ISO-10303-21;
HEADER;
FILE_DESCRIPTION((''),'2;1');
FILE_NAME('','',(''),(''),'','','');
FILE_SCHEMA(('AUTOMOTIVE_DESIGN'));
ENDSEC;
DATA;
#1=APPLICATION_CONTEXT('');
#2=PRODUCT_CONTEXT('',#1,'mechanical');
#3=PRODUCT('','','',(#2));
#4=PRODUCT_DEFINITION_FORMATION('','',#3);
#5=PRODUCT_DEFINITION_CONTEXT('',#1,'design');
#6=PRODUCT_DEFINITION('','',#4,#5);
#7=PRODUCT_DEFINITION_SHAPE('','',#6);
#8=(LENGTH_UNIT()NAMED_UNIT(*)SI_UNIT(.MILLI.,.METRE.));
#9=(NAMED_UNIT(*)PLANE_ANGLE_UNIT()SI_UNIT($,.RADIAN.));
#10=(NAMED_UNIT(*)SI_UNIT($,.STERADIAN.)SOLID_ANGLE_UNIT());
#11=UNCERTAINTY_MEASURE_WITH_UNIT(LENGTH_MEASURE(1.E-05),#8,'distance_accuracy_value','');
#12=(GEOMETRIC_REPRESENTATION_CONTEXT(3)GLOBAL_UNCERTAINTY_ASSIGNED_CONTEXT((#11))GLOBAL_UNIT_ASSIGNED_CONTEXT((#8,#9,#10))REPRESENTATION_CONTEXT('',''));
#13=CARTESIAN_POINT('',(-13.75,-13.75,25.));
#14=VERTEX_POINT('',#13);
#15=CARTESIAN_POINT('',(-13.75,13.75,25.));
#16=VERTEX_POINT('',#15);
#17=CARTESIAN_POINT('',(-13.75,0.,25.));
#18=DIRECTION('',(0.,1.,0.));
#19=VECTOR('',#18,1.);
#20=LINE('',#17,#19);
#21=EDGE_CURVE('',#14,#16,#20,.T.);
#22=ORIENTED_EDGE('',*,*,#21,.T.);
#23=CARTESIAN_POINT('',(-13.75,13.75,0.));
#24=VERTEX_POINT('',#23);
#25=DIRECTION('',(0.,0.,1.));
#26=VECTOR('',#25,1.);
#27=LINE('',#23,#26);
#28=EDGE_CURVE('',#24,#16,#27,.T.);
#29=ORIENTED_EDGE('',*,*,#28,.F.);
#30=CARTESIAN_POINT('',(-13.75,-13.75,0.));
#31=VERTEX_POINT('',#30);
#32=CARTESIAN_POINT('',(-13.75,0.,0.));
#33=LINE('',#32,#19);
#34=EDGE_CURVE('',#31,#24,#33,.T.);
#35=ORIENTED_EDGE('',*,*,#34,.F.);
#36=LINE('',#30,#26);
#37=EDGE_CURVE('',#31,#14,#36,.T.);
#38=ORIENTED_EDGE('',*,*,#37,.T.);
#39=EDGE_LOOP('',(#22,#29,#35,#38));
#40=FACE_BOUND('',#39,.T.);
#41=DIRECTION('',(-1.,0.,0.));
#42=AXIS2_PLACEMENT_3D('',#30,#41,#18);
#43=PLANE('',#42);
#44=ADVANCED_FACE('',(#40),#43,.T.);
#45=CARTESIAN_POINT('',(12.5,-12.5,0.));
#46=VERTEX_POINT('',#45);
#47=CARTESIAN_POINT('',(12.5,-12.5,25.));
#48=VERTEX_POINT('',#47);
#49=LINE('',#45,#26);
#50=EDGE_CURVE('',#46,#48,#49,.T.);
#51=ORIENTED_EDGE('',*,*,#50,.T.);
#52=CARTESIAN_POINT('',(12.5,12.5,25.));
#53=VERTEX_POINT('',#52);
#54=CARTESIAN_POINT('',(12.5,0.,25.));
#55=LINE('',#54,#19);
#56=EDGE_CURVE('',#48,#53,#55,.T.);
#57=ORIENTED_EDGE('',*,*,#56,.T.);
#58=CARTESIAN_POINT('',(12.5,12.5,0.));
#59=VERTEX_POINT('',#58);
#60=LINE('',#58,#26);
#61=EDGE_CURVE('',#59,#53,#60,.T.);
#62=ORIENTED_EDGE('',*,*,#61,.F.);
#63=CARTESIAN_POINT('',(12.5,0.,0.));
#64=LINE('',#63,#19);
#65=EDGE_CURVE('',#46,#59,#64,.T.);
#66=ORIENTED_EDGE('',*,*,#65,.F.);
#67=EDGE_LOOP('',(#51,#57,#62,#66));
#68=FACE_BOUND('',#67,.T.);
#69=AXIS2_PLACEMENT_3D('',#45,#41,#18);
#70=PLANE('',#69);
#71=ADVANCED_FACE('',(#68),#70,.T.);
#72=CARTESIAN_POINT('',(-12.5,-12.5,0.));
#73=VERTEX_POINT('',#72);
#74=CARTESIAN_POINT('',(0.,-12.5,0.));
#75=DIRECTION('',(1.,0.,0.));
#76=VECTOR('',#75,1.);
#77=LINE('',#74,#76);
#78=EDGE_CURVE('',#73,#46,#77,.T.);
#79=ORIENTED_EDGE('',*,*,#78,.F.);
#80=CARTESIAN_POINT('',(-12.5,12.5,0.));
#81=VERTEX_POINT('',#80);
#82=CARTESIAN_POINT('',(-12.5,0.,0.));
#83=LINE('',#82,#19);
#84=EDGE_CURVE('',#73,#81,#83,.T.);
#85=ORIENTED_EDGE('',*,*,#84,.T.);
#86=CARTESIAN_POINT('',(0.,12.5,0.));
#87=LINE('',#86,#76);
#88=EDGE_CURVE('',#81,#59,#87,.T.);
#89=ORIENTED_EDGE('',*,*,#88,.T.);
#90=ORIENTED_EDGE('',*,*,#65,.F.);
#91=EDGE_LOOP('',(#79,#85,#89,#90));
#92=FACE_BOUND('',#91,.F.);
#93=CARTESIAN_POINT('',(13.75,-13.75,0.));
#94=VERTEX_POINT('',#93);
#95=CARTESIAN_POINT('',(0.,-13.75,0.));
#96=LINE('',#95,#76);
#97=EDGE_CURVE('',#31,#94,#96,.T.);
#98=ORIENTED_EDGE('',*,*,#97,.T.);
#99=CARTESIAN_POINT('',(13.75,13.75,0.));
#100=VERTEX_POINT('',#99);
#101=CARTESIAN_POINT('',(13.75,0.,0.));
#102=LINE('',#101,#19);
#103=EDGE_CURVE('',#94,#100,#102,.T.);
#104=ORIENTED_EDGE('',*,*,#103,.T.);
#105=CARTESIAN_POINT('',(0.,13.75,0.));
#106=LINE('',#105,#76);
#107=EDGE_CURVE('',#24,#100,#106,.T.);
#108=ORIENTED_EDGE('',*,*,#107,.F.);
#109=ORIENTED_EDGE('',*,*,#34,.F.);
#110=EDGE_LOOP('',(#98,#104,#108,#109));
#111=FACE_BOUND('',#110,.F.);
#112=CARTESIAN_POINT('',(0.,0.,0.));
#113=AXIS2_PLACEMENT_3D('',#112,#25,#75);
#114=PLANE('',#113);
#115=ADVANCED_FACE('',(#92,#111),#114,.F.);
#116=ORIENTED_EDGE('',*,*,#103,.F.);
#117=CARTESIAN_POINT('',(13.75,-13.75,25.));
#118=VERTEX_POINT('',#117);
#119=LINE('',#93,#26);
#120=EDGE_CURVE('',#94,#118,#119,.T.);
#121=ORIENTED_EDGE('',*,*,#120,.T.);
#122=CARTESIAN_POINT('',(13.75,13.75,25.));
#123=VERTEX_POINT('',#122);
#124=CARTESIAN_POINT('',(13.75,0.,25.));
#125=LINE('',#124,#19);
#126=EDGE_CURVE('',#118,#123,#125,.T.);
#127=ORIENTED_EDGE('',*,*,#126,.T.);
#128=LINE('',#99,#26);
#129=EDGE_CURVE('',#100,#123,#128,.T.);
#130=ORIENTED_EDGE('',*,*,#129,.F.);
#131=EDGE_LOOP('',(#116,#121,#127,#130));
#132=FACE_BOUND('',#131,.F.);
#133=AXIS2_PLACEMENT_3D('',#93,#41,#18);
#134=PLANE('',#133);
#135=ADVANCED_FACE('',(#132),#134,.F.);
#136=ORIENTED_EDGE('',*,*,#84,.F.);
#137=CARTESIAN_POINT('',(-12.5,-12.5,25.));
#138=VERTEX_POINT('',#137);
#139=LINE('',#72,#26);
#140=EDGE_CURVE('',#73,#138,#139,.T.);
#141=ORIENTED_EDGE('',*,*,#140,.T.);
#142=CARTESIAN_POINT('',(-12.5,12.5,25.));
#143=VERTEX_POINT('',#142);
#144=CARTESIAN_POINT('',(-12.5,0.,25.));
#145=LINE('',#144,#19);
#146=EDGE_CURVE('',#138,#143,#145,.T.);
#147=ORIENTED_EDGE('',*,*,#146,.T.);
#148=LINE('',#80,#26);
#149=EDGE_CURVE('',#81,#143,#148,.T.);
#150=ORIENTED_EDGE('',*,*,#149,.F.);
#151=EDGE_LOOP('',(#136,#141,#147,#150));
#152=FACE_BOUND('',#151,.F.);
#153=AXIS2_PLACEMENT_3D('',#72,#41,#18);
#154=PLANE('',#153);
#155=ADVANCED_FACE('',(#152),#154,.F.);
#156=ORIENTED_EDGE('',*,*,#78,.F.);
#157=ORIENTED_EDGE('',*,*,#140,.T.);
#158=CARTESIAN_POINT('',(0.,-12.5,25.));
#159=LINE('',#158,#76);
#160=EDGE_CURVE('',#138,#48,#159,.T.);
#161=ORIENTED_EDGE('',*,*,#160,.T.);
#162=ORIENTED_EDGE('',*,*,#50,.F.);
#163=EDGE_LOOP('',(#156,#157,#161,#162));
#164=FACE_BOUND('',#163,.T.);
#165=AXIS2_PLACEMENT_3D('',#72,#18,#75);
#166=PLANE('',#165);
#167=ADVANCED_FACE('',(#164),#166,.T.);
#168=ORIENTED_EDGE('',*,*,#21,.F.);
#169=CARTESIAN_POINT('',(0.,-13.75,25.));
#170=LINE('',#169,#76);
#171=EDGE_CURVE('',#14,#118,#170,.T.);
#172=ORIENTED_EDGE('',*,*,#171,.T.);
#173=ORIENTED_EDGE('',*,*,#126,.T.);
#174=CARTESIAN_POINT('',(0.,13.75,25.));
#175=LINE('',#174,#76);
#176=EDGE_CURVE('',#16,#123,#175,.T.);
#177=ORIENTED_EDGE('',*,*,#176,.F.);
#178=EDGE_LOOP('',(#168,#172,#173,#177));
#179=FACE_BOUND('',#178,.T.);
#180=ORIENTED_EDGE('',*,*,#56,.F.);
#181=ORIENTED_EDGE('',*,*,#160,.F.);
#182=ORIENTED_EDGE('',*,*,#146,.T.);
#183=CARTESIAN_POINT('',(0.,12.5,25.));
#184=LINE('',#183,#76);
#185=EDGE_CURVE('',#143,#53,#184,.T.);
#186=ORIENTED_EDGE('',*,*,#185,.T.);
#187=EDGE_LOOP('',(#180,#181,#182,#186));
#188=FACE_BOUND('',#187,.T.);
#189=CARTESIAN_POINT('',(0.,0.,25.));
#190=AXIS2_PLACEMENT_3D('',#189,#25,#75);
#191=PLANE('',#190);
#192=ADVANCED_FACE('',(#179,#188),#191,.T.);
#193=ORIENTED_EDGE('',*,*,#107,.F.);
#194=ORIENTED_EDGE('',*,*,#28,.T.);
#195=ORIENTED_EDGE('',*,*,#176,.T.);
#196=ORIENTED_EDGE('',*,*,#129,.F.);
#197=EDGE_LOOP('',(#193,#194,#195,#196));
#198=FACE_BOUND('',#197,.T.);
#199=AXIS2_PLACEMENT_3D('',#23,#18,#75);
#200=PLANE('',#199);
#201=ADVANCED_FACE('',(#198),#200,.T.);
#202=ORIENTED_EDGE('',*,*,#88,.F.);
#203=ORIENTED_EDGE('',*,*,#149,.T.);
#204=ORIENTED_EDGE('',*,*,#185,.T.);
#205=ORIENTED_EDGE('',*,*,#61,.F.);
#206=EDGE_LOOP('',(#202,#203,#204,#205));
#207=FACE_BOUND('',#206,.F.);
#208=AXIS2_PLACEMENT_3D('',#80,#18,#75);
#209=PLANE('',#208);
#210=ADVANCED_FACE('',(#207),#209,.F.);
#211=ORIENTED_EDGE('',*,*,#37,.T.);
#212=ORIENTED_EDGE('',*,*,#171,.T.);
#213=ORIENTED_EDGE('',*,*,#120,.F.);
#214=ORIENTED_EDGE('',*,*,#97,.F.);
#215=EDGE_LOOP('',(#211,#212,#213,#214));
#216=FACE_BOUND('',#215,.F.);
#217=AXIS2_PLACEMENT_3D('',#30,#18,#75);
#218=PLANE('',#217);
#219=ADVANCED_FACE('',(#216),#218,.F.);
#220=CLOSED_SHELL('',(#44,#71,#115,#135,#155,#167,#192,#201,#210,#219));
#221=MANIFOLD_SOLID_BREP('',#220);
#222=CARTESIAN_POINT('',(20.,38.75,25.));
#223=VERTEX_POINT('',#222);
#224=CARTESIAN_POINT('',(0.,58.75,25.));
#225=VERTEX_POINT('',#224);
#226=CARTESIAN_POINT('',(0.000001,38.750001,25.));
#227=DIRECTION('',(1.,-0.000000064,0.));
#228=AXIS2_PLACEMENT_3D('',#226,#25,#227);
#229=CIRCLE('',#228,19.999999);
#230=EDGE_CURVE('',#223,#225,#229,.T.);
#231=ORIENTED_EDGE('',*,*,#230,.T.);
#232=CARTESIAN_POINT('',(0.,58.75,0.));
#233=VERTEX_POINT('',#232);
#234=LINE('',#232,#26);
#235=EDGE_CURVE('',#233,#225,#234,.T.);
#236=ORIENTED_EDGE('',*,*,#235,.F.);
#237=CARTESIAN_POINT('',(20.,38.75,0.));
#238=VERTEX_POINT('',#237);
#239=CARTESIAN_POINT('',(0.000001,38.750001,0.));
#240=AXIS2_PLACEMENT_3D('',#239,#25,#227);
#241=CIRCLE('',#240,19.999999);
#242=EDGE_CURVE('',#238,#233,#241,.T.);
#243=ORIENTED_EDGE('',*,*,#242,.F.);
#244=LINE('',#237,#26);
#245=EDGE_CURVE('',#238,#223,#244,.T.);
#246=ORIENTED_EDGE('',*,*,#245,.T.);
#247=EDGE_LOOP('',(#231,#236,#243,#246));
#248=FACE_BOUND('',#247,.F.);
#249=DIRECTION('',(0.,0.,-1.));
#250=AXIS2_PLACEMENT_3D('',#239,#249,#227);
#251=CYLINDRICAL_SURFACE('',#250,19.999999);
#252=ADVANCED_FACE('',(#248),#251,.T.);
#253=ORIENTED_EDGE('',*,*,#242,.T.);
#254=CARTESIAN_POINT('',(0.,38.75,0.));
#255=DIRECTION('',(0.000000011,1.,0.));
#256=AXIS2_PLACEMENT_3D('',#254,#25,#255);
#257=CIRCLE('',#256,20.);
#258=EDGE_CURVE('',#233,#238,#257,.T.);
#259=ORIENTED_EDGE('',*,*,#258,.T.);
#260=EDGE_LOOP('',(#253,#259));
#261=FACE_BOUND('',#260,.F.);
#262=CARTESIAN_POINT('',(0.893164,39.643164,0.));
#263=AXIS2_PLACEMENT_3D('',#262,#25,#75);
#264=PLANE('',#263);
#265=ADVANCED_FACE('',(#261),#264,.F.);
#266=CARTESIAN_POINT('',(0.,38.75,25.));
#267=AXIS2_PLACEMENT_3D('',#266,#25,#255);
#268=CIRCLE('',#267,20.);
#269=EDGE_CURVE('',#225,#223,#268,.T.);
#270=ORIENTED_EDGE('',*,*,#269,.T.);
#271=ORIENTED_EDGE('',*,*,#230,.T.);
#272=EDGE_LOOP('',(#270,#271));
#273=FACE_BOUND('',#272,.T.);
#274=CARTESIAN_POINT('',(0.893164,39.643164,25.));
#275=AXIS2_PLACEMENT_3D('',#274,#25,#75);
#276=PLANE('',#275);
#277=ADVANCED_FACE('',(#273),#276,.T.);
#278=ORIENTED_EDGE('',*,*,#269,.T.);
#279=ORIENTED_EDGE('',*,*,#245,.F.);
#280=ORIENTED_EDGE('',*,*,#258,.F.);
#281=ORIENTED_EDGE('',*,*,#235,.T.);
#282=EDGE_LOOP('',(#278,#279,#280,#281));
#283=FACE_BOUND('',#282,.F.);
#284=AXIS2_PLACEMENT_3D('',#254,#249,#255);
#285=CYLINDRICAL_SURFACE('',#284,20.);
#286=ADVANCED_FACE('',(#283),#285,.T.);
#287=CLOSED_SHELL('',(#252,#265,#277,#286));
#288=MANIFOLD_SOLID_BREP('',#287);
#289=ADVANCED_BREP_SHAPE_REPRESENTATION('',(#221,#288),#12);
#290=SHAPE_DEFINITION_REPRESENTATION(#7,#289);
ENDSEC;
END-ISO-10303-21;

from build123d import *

# Parameters (mm, degrees)
F0_W     = 27.5
F0_H     = 27.5
F0_W_2   = 25
F0_H_2   = 25
F1_DEPTH = 25


with BuildPart() as f1:
    # F0 (on Top) → F1 (new body)
    with BuildSketch(Plane.XY):
        with BuildLine():
            ThreePointArc((0, 58.75), (-14.142136, 24.607864), (20, 38.75))
            ThreePointArc((20, 38.75), (14.142136, 52.892136), (0, 58.75))
        make_face()
        Rectangle(F0_W, F0_H)
        Rectangle(F0_W_2, F0_H_2, mode=Mode.SUBTRACT)
    extrude(amount=F1_DEPTH)


solid = f1.part
